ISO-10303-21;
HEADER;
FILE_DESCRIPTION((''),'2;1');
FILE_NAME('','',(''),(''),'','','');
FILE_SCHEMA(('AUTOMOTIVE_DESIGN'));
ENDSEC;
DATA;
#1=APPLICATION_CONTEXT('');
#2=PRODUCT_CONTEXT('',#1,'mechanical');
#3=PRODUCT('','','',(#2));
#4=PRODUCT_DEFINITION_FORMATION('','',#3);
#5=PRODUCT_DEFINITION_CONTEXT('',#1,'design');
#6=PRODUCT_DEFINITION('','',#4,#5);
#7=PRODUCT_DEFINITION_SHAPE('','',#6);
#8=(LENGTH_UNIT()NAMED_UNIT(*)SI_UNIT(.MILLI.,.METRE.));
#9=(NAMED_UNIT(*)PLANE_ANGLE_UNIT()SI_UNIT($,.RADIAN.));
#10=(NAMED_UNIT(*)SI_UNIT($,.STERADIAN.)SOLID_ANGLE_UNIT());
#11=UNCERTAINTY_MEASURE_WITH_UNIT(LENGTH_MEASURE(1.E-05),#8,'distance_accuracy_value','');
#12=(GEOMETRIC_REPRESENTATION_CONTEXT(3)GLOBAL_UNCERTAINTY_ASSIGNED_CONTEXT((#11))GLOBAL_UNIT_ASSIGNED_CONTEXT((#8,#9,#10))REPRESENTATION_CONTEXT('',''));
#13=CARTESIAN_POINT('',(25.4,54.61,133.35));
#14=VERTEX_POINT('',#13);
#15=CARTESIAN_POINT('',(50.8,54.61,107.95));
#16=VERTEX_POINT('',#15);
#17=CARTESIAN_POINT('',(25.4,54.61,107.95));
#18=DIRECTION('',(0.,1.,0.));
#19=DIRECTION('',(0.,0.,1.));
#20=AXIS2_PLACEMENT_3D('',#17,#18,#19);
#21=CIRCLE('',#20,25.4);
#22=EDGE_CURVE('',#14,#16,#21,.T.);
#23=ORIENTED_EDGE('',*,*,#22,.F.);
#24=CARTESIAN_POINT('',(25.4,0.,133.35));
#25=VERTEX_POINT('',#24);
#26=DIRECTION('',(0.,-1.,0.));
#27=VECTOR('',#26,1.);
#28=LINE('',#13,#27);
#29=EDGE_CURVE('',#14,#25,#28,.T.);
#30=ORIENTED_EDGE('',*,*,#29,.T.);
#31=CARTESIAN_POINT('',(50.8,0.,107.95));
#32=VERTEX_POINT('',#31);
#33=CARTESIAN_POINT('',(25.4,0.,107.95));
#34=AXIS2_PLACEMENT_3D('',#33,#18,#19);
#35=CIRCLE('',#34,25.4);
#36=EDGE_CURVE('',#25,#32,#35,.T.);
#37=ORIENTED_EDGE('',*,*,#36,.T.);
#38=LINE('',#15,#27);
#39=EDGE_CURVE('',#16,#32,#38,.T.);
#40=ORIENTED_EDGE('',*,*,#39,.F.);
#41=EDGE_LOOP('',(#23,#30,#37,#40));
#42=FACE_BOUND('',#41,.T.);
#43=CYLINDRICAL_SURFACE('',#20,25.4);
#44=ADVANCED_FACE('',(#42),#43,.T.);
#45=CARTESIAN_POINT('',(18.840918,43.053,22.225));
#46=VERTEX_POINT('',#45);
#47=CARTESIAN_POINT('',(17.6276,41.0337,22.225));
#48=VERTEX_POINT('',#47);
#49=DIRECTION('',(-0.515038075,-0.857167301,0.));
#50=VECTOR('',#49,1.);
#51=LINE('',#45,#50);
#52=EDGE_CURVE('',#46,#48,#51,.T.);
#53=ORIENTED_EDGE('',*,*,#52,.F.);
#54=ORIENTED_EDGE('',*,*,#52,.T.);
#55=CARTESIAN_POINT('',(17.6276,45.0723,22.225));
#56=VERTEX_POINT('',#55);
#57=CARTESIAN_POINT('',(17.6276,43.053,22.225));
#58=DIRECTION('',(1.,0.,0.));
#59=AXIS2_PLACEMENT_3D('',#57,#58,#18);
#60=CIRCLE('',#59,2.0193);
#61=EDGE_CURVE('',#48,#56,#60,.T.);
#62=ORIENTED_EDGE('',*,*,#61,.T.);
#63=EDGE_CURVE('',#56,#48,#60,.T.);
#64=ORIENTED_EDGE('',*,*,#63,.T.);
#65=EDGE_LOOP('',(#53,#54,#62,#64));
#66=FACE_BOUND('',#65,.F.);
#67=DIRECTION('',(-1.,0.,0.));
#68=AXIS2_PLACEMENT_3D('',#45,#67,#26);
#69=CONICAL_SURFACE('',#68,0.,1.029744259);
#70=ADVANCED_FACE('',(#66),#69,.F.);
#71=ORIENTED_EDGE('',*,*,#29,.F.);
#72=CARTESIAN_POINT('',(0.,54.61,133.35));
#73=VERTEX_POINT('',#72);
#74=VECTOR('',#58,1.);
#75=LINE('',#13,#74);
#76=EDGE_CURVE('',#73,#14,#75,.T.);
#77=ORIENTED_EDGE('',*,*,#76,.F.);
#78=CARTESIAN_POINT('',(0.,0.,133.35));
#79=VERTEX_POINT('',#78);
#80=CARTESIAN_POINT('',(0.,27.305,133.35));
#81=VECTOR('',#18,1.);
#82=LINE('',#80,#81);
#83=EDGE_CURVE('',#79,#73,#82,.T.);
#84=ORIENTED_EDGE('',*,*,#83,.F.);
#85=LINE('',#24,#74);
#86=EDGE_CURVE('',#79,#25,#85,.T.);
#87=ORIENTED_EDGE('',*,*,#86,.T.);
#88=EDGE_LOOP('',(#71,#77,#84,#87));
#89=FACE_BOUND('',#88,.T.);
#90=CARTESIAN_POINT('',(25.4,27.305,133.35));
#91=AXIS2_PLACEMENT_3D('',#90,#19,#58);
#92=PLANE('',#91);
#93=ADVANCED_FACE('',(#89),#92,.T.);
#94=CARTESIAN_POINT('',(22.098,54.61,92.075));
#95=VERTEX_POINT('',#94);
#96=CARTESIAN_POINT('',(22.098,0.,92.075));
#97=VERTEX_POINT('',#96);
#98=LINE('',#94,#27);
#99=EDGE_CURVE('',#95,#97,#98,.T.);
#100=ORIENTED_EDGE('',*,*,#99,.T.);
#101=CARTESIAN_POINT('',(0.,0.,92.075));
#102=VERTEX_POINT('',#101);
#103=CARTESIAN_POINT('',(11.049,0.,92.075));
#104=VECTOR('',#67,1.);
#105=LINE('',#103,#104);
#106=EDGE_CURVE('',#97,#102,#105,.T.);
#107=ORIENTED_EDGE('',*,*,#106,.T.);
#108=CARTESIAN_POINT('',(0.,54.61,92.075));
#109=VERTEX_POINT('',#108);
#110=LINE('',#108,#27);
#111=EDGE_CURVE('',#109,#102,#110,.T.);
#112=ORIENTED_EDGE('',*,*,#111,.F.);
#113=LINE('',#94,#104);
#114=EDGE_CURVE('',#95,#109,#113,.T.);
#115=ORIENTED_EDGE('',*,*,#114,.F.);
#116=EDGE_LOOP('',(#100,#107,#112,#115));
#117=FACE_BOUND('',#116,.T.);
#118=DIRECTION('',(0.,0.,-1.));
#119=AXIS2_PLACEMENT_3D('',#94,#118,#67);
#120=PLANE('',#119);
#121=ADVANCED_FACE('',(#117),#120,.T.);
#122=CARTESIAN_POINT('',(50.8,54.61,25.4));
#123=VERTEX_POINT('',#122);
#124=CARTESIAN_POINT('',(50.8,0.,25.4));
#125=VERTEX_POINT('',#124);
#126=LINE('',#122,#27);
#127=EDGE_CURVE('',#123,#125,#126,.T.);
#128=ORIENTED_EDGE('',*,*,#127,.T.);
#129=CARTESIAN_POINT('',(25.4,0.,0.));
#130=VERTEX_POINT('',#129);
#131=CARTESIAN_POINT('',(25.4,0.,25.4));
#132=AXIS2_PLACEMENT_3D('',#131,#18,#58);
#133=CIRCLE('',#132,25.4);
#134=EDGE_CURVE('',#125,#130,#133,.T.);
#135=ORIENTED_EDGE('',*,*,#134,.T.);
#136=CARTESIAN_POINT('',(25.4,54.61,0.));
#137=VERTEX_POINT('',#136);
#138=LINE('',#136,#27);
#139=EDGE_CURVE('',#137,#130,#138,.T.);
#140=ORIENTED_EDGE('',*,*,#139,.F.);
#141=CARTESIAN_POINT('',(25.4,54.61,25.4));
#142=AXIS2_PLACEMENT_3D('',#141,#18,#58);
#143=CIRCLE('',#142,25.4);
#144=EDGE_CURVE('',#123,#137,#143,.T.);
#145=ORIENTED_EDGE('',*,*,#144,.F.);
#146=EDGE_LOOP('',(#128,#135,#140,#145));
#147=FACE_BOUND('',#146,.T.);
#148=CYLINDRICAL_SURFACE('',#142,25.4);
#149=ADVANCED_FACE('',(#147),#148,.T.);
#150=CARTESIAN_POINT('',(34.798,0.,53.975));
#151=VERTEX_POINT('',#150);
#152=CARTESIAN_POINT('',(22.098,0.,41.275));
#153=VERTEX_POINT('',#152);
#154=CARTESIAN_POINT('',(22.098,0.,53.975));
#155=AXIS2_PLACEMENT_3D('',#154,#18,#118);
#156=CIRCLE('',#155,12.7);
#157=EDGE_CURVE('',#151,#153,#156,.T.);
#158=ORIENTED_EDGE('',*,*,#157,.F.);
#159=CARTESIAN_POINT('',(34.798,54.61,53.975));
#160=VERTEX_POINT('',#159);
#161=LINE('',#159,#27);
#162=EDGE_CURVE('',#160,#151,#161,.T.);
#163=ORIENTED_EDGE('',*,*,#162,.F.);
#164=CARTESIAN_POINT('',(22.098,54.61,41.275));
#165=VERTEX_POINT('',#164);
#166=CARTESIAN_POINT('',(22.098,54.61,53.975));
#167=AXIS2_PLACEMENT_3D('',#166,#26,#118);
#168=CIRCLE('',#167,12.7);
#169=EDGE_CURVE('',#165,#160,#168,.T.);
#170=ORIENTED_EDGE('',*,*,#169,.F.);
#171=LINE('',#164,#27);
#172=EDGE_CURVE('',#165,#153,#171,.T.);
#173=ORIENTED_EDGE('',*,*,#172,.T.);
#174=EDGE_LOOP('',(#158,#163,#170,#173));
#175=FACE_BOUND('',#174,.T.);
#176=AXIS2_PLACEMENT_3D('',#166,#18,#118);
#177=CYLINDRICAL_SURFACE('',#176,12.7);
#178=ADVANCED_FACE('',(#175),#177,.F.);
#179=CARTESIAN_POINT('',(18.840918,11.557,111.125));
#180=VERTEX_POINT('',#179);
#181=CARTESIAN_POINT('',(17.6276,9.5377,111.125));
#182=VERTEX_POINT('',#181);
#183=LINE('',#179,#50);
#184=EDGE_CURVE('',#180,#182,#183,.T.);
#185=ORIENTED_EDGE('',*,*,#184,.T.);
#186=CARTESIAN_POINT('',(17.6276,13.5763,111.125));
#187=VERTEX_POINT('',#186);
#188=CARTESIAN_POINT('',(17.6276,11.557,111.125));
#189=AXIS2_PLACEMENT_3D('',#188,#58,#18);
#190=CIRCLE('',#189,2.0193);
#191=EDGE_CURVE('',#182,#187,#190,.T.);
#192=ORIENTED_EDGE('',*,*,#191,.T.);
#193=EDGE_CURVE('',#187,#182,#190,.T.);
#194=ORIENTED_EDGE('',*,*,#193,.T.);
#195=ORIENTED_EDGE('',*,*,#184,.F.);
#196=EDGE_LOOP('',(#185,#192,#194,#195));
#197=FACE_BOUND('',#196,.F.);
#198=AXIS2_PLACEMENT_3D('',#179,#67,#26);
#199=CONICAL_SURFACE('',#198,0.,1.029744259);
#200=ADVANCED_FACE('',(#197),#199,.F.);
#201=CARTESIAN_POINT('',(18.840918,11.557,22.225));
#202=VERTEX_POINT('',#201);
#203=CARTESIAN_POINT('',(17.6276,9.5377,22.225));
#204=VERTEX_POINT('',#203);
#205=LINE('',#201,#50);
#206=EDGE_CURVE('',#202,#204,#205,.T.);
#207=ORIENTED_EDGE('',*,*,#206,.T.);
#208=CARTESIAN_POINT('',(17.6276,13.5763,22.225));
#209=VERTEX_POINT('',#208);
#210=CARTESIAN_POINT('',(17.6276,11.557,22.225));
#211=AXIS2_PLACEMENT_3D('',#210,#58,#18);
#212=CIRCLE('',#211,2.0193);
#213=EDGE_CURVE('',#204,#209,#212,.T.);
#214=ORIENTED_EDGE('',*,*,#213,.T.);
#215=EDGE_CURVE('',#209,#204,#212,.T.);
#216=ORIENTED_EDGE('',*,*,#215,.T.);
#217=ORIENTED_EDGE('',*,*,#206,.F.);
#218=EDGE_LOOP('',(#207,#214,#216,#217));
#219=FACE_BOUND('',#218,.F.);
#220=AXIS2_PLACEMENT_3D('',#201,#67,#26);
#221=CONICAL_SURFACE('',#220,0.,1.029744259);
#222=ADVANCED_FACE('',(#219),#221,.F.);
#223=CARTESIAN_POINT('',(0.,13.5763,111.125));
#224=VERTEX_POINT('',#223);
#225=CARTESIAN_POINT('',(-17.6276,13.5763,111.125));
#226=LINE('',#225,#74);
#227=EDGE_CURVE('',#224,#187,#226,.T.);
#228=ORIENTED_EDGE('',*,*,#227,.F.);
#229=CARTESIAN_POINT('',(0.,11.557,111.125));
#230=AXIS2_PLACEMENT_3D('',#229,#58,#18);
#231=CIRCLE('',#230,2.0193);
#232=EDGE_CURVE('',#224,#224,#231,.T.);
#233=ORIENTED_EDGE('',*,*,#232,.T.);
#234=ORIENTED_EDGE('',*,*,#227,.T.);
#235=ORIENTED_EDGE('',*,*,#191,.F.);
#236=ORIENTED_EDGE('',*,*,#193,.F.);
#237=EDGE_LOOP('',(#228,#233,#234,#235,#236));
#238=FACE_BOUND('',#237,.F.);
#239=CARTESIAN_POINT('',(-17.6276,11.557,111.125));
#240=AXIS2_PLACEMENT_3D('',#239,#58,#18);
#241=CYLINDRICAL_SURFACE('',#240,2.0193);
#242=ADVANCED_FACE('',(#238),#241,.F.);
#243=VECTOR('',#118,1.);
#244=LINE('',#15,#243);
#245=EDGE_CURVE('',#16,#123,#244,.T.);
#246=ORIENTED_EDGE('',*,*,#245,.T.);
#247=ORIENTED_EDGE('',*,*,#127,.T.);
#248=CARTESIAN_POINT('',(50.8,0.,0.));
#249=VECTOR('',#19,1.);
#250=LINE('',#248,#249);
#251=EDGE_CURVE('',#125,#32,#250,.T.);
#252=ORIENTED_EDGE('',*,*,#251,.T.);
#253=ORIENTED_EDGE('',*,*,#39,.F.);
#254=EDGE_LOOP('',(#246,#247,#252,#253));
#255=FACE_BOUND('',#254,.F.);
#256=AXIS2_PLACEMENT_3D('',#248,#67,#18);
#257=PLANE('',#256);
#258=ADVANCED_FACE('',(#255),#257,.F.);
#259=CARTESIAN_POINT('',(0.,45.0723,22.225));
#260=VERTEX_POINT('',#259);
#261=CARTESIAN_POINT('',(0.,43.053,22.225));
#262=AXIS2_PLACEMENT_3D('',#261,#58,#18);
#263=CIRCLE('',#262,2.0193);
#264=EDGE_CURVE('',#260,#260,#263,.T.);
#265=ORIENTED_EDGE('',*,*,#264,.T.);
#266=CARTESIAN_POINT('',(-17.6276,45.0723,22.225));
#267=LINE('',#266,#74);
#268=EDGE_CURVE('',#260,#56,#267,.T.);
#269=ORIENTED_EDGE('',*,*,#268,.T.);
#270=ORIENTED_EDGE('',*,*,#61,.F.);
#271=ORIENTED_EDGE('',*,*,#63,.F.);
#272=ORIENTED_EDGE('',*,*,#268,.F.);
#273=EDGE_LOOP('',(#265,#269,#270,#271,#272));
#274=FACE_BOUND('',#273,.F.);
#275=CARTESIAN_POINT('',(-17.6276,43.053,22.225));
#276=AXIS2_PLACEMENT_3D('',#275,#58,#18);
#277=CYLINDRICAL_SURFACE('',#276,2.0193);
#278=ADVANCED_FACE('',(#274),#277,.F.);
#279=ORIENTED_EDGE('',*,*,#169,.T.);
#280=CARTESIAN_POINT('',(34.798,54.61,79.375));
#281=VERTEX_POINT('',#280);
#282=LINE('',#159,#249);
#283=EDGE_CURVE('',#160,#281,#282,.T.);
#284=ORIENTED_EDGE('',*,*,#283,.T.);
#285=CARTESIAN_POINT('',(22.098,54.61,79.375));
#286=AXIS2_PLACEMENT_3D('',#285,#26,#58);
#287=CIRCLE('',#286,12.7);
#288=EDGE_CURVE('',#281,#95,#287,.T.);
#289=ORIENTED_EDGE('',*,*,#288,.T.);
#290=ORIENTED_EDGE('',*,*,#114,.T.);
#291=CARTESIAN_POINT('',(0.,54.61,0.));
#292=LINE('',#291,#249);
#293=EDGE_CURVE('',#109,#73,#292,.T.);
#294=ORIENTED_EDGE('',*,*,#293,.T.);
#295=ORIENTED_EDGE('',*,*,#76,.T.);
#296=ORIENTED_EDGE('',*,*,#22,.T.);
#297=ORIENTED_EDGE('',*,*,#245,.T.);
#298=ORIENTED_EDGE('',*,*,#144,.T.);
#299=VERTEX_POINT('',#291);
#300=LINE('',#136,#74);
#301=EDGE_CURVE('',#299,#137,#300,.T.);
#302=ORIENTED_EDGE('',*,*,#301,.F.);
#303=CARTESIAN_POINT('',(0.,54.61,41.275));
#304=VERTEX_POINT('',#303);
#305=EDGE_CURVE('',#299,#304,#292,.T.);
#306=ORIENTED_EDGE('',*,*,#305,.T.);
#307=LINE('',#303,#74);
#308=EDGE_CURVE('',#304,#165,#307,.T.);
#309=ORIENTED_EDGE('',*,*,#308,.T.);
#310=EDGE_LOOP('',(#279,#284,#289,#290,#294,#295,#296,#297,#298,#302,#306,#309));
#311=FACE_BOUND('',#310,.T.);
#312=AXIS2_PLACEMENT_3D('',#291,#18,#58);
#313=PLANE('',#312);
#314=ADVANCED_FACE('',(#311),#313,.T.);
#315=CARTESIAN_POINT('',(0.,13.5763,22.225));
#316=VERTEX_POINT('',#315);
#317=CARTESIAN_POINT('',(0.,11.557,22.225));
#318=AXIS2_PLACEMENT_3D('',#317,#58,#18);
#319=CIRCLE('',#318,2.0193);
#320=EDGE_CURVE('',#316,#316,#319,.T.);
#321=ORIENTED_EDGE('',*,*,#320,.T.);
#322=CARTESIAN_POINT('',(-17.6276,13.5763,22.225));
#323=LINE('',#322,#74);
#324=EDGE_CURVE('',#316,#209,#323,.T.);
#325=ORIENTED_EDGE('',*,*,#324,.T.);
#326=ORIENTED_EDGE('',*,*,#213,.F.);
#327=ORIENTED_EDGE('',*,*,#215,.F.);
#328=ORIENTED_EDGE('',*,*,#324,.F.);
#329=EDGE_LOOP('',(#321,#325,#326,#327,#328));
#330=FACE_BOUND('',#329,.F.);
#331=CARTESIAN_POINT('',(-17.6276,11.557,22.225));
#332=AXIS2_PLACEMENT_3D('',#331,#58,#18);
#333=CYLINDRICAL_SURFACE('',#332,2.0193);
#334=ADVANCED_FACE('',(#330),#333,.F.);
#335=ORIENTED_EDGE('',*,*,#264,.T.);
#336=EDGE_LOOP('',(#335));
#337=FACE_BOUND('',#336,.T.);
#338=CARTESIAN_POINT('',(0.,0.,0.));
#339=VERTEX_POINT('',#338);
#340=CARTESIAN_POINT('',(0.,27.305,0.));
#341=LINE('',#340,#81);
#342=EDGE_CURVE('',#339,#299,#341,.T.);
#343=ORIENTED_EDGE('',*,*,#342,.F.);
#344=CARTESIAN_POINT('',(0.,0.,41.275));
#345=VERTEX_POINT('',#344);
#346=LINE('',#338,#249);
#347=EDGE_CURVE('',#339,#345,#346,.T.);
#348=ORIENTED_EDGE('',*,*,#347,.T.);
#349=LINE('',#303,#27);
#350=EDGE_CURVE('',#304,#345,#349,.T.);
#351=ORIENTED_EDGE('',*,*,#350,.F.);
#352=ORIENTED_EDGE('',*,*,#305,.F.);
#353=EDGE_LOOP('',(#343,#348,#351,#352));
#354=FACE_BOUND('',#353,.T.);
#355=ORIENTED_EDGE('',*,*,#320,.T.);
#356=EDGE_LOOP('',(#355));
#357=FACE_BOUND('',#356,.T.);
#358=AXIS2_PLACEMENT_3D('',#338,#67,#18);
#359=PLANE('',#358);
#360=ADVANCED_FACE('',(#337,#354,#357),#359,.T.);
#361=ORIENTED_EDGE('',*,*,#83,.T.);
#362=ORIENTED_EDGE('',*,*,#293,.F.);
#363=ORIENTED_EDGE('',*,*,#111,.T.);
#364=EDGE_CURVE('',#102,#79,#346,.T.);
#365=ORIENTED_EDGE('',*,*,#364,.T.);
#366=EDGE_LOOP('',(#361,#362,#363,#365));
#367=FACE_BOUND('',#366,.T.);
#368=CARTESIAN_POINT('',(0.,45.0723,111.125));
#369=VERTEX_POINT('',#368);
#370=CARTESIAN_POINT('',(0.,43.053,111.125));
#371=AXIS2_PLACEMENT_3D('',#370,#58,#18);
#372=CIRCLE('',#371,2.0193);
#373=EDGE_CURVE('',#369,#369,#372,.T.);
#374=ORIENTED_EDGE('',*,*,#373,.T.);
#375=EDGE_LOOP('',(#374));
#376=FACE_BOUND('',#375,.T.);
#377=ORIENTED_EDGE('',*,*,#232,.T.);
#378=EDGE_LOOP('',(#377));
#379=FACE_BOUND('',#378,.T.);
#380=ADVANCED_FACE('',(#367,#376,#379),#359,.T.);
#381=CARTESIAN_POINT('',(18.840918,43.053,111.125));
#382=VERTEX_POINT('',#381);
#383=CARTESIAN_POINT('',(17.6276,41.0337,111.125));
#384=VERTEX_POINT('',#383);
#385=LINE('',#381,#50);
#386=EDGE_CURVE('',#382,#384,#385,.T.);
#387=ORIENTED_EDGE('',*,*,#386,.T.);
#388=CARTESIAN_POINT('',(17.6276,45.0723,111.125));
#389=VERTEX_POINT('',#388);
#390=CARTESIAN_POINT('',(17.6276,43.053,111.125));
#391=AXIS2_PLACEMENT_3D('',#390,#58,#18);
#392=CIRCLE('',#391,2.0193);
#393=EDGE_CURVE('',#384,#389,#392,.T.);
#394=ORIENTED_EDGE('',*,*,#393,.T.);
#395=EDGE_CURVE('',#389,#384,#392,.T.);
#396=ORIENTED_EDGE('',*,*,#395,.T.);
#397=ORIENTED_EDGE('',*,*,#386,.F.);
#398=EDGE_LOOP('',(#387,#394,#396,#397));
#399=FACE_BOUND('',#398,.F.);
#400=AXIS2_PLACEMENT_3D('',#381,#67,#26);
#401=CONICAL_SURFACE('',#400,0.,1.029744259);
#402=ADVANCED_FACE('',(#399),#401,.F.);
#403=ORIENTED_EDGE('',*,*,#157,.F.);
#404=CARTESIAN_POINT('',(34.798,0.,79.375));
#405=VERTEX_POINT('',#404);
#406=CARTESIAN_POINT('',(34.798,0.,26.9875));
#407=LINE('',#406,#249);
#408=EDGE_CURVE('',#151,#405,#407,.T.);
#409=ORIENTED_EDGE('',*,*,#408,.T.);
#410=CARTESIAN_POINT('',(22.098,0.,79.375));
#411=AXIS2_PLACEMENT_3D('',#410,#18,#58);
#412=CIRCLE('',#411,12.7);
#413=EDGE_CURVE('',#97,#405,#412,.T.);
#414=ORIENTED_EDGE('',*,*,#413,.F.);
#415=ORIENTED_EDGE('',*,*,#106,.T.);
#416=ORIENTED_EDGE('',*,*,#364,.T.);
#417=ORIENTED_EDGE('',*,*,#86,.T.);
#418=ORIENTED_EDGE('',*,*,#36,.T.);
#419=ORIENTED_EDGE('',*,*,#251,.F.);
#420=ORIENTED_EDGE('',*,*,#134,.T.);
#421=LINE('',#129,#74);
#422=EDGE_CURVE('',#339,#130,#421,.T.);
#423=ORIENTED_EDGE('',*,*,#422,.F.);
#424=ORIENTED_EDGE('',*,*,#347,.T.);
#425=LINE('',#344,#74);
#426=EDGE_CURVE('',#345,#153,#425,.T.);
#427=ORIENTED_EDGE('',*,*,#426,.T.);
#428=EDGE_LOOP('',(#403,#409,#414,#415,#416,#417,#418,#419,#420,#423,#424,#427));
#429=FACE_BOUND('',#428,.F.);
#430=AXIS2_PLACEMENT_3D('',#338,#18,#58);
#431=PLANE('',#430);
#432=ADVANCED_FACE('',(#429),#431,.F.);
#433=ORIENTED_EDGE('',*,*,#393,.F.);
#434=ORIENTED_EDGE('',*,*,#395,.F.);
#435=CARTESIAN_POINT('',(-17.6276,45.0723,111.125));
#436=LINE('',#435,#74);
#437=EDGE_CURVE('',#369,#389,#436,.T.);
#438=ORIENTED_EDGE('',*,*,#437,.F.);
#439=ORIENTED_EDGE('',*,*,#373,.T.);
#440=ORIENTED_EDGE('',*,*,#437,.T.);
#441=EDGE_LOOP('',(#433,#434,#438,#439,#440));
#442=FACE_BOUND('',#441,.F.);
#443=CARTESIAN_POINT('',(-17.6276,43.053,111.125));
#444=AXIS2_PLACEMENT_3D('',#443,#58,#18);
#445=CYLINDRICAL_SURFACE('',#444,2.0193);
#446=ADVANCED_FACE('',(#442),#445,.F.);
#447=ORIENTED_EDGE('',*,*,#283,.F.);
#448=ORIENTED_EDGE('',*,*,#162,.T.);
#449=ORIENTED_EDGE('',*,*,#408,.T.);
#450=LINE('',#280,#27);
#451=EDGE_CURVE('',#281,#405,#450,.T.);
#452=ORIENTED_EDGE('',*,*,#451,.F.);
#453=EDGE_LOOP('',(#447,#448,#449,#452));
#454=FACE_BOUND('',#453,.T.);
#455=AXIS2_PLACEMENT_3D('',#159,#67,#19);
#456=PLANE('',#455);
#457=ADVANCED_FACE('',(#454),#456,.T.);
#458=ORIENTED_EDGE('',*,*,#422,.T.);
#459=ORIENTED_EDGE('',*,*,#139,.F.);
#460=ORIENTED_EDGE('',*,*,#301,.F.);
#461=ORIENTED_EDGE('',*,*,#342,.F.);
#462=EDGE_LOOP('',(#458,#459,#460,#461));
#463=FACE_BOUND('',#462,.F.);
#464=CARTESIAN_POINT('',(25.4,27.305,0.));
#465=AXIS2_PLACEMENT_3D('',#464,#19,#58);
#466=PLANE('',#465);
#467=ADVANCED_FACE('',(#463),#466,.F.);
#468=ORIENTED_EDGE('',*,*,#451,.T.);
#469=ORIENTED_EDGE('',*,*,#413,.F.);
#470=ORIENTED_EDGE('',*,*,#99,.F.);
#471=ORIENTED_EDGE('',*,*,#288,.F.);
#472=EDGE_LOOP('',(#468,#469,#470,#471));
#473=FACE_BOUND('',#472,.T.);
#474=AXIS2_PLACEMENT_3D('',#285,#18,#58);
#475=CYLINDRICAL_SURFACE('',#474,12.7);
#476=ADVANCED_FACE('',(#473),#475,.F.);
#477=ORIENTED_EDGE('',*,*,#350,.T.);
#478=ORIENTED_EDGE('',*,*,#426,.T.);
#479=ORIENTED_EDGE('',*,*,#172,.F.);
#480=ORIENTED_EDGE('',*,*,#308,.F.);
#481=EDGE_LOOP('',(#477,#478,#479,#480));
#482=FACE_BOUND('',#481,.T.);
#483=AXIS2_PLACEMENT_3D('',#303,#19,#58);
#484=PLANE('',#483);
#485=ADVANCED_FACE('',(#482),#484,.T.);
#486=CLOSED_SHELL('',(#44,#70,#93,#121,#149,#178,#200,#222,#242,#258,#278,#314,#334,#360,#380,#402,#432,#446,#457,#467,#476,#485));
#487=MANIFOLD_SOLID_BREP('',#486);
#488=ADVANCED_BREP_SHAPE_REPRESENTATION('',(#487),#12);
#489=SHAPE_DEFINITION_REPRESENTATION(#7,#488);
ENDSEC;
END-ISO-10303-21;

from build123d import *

# Parameters (mm, degrees)
F0_W     = 50.8
F0_H     = 54.61
F1_DEPTH = 133.35
F3_D     = 4.0386
F3_DEPTH = 17.6276
F3_TIP   = 1.213317848
F5_DEPTH = 54.611


with BuildPart() as f1:
    # F0 (on Top) → F1 (new body)
    with BuildSketch(Plane.XY):
        with Locations((25.4, 27.305)):
            Rectangle(F0_W, F0_H)
    extrude(amount=F1_DEPTH)

    # F3
    with Locations(Plane(origin=(0, 0, 0), x_dir=(0, -1, 0), z_dir=(-1, 0, 0))):
        with Locations((-11.557, 22.225), (-43.053, 22.225), (-11.557, 111.125), (-43.053, 111.125)):
            Hole(F3_D / 2, depth=F3_DEPTH)
            with Locations((0, 0, -(F3_DEPTH + F3_TIP / 2))):  # 118° drill point
                Cone(0, F3_D / 2, F3_TIP, mode=Mode.SUBTRACT)

    # F4 (on face) → F5 (intersect, through all)
    with BuildSketch(Plane(origin=(0, 54.61, 0), x_dir=(-1, 0, 0), z_dir=(0, 1, 0))):
        with BuildLine():
            Line((-22.098, 92.075), (0, 92.075))
            Line((0, 92.075), (0, 133.35))
            Line((0, 133.35), (-25.4, 133.35))
            ThreePointArc((-25.4, 133.35), (-43.3605122421, 125.9105122421), (-50.8, 107.95))
            Line((-50.8, 107.95), (-50.8, 25.4))
            ThreePointArc((-50.8, 25.4), (-43.3605122421, 7.4394877579), (-25.4, 0))
            Line((-25.4, 0), (0, 0))
            Line((0, 0), (0, 41.275))
            Line((0, 41.275), (-22.098, 41.275))
            ThreePointArc((-22.098, 41.275), (-31.0782561211, 44.9947438789), (-34.798, 53.975))
            Line((-34.798, 53.975), (-34.798, 79.375))
            ThreePointArc((-34.798, 79.375), (-31.0782561211, 88.3552561211), (-22.098, 92.075))
        make_face()
    extrude(amount=-F5_DEPTH, mode=Mode.INTERSECT)


solid = f1.part
